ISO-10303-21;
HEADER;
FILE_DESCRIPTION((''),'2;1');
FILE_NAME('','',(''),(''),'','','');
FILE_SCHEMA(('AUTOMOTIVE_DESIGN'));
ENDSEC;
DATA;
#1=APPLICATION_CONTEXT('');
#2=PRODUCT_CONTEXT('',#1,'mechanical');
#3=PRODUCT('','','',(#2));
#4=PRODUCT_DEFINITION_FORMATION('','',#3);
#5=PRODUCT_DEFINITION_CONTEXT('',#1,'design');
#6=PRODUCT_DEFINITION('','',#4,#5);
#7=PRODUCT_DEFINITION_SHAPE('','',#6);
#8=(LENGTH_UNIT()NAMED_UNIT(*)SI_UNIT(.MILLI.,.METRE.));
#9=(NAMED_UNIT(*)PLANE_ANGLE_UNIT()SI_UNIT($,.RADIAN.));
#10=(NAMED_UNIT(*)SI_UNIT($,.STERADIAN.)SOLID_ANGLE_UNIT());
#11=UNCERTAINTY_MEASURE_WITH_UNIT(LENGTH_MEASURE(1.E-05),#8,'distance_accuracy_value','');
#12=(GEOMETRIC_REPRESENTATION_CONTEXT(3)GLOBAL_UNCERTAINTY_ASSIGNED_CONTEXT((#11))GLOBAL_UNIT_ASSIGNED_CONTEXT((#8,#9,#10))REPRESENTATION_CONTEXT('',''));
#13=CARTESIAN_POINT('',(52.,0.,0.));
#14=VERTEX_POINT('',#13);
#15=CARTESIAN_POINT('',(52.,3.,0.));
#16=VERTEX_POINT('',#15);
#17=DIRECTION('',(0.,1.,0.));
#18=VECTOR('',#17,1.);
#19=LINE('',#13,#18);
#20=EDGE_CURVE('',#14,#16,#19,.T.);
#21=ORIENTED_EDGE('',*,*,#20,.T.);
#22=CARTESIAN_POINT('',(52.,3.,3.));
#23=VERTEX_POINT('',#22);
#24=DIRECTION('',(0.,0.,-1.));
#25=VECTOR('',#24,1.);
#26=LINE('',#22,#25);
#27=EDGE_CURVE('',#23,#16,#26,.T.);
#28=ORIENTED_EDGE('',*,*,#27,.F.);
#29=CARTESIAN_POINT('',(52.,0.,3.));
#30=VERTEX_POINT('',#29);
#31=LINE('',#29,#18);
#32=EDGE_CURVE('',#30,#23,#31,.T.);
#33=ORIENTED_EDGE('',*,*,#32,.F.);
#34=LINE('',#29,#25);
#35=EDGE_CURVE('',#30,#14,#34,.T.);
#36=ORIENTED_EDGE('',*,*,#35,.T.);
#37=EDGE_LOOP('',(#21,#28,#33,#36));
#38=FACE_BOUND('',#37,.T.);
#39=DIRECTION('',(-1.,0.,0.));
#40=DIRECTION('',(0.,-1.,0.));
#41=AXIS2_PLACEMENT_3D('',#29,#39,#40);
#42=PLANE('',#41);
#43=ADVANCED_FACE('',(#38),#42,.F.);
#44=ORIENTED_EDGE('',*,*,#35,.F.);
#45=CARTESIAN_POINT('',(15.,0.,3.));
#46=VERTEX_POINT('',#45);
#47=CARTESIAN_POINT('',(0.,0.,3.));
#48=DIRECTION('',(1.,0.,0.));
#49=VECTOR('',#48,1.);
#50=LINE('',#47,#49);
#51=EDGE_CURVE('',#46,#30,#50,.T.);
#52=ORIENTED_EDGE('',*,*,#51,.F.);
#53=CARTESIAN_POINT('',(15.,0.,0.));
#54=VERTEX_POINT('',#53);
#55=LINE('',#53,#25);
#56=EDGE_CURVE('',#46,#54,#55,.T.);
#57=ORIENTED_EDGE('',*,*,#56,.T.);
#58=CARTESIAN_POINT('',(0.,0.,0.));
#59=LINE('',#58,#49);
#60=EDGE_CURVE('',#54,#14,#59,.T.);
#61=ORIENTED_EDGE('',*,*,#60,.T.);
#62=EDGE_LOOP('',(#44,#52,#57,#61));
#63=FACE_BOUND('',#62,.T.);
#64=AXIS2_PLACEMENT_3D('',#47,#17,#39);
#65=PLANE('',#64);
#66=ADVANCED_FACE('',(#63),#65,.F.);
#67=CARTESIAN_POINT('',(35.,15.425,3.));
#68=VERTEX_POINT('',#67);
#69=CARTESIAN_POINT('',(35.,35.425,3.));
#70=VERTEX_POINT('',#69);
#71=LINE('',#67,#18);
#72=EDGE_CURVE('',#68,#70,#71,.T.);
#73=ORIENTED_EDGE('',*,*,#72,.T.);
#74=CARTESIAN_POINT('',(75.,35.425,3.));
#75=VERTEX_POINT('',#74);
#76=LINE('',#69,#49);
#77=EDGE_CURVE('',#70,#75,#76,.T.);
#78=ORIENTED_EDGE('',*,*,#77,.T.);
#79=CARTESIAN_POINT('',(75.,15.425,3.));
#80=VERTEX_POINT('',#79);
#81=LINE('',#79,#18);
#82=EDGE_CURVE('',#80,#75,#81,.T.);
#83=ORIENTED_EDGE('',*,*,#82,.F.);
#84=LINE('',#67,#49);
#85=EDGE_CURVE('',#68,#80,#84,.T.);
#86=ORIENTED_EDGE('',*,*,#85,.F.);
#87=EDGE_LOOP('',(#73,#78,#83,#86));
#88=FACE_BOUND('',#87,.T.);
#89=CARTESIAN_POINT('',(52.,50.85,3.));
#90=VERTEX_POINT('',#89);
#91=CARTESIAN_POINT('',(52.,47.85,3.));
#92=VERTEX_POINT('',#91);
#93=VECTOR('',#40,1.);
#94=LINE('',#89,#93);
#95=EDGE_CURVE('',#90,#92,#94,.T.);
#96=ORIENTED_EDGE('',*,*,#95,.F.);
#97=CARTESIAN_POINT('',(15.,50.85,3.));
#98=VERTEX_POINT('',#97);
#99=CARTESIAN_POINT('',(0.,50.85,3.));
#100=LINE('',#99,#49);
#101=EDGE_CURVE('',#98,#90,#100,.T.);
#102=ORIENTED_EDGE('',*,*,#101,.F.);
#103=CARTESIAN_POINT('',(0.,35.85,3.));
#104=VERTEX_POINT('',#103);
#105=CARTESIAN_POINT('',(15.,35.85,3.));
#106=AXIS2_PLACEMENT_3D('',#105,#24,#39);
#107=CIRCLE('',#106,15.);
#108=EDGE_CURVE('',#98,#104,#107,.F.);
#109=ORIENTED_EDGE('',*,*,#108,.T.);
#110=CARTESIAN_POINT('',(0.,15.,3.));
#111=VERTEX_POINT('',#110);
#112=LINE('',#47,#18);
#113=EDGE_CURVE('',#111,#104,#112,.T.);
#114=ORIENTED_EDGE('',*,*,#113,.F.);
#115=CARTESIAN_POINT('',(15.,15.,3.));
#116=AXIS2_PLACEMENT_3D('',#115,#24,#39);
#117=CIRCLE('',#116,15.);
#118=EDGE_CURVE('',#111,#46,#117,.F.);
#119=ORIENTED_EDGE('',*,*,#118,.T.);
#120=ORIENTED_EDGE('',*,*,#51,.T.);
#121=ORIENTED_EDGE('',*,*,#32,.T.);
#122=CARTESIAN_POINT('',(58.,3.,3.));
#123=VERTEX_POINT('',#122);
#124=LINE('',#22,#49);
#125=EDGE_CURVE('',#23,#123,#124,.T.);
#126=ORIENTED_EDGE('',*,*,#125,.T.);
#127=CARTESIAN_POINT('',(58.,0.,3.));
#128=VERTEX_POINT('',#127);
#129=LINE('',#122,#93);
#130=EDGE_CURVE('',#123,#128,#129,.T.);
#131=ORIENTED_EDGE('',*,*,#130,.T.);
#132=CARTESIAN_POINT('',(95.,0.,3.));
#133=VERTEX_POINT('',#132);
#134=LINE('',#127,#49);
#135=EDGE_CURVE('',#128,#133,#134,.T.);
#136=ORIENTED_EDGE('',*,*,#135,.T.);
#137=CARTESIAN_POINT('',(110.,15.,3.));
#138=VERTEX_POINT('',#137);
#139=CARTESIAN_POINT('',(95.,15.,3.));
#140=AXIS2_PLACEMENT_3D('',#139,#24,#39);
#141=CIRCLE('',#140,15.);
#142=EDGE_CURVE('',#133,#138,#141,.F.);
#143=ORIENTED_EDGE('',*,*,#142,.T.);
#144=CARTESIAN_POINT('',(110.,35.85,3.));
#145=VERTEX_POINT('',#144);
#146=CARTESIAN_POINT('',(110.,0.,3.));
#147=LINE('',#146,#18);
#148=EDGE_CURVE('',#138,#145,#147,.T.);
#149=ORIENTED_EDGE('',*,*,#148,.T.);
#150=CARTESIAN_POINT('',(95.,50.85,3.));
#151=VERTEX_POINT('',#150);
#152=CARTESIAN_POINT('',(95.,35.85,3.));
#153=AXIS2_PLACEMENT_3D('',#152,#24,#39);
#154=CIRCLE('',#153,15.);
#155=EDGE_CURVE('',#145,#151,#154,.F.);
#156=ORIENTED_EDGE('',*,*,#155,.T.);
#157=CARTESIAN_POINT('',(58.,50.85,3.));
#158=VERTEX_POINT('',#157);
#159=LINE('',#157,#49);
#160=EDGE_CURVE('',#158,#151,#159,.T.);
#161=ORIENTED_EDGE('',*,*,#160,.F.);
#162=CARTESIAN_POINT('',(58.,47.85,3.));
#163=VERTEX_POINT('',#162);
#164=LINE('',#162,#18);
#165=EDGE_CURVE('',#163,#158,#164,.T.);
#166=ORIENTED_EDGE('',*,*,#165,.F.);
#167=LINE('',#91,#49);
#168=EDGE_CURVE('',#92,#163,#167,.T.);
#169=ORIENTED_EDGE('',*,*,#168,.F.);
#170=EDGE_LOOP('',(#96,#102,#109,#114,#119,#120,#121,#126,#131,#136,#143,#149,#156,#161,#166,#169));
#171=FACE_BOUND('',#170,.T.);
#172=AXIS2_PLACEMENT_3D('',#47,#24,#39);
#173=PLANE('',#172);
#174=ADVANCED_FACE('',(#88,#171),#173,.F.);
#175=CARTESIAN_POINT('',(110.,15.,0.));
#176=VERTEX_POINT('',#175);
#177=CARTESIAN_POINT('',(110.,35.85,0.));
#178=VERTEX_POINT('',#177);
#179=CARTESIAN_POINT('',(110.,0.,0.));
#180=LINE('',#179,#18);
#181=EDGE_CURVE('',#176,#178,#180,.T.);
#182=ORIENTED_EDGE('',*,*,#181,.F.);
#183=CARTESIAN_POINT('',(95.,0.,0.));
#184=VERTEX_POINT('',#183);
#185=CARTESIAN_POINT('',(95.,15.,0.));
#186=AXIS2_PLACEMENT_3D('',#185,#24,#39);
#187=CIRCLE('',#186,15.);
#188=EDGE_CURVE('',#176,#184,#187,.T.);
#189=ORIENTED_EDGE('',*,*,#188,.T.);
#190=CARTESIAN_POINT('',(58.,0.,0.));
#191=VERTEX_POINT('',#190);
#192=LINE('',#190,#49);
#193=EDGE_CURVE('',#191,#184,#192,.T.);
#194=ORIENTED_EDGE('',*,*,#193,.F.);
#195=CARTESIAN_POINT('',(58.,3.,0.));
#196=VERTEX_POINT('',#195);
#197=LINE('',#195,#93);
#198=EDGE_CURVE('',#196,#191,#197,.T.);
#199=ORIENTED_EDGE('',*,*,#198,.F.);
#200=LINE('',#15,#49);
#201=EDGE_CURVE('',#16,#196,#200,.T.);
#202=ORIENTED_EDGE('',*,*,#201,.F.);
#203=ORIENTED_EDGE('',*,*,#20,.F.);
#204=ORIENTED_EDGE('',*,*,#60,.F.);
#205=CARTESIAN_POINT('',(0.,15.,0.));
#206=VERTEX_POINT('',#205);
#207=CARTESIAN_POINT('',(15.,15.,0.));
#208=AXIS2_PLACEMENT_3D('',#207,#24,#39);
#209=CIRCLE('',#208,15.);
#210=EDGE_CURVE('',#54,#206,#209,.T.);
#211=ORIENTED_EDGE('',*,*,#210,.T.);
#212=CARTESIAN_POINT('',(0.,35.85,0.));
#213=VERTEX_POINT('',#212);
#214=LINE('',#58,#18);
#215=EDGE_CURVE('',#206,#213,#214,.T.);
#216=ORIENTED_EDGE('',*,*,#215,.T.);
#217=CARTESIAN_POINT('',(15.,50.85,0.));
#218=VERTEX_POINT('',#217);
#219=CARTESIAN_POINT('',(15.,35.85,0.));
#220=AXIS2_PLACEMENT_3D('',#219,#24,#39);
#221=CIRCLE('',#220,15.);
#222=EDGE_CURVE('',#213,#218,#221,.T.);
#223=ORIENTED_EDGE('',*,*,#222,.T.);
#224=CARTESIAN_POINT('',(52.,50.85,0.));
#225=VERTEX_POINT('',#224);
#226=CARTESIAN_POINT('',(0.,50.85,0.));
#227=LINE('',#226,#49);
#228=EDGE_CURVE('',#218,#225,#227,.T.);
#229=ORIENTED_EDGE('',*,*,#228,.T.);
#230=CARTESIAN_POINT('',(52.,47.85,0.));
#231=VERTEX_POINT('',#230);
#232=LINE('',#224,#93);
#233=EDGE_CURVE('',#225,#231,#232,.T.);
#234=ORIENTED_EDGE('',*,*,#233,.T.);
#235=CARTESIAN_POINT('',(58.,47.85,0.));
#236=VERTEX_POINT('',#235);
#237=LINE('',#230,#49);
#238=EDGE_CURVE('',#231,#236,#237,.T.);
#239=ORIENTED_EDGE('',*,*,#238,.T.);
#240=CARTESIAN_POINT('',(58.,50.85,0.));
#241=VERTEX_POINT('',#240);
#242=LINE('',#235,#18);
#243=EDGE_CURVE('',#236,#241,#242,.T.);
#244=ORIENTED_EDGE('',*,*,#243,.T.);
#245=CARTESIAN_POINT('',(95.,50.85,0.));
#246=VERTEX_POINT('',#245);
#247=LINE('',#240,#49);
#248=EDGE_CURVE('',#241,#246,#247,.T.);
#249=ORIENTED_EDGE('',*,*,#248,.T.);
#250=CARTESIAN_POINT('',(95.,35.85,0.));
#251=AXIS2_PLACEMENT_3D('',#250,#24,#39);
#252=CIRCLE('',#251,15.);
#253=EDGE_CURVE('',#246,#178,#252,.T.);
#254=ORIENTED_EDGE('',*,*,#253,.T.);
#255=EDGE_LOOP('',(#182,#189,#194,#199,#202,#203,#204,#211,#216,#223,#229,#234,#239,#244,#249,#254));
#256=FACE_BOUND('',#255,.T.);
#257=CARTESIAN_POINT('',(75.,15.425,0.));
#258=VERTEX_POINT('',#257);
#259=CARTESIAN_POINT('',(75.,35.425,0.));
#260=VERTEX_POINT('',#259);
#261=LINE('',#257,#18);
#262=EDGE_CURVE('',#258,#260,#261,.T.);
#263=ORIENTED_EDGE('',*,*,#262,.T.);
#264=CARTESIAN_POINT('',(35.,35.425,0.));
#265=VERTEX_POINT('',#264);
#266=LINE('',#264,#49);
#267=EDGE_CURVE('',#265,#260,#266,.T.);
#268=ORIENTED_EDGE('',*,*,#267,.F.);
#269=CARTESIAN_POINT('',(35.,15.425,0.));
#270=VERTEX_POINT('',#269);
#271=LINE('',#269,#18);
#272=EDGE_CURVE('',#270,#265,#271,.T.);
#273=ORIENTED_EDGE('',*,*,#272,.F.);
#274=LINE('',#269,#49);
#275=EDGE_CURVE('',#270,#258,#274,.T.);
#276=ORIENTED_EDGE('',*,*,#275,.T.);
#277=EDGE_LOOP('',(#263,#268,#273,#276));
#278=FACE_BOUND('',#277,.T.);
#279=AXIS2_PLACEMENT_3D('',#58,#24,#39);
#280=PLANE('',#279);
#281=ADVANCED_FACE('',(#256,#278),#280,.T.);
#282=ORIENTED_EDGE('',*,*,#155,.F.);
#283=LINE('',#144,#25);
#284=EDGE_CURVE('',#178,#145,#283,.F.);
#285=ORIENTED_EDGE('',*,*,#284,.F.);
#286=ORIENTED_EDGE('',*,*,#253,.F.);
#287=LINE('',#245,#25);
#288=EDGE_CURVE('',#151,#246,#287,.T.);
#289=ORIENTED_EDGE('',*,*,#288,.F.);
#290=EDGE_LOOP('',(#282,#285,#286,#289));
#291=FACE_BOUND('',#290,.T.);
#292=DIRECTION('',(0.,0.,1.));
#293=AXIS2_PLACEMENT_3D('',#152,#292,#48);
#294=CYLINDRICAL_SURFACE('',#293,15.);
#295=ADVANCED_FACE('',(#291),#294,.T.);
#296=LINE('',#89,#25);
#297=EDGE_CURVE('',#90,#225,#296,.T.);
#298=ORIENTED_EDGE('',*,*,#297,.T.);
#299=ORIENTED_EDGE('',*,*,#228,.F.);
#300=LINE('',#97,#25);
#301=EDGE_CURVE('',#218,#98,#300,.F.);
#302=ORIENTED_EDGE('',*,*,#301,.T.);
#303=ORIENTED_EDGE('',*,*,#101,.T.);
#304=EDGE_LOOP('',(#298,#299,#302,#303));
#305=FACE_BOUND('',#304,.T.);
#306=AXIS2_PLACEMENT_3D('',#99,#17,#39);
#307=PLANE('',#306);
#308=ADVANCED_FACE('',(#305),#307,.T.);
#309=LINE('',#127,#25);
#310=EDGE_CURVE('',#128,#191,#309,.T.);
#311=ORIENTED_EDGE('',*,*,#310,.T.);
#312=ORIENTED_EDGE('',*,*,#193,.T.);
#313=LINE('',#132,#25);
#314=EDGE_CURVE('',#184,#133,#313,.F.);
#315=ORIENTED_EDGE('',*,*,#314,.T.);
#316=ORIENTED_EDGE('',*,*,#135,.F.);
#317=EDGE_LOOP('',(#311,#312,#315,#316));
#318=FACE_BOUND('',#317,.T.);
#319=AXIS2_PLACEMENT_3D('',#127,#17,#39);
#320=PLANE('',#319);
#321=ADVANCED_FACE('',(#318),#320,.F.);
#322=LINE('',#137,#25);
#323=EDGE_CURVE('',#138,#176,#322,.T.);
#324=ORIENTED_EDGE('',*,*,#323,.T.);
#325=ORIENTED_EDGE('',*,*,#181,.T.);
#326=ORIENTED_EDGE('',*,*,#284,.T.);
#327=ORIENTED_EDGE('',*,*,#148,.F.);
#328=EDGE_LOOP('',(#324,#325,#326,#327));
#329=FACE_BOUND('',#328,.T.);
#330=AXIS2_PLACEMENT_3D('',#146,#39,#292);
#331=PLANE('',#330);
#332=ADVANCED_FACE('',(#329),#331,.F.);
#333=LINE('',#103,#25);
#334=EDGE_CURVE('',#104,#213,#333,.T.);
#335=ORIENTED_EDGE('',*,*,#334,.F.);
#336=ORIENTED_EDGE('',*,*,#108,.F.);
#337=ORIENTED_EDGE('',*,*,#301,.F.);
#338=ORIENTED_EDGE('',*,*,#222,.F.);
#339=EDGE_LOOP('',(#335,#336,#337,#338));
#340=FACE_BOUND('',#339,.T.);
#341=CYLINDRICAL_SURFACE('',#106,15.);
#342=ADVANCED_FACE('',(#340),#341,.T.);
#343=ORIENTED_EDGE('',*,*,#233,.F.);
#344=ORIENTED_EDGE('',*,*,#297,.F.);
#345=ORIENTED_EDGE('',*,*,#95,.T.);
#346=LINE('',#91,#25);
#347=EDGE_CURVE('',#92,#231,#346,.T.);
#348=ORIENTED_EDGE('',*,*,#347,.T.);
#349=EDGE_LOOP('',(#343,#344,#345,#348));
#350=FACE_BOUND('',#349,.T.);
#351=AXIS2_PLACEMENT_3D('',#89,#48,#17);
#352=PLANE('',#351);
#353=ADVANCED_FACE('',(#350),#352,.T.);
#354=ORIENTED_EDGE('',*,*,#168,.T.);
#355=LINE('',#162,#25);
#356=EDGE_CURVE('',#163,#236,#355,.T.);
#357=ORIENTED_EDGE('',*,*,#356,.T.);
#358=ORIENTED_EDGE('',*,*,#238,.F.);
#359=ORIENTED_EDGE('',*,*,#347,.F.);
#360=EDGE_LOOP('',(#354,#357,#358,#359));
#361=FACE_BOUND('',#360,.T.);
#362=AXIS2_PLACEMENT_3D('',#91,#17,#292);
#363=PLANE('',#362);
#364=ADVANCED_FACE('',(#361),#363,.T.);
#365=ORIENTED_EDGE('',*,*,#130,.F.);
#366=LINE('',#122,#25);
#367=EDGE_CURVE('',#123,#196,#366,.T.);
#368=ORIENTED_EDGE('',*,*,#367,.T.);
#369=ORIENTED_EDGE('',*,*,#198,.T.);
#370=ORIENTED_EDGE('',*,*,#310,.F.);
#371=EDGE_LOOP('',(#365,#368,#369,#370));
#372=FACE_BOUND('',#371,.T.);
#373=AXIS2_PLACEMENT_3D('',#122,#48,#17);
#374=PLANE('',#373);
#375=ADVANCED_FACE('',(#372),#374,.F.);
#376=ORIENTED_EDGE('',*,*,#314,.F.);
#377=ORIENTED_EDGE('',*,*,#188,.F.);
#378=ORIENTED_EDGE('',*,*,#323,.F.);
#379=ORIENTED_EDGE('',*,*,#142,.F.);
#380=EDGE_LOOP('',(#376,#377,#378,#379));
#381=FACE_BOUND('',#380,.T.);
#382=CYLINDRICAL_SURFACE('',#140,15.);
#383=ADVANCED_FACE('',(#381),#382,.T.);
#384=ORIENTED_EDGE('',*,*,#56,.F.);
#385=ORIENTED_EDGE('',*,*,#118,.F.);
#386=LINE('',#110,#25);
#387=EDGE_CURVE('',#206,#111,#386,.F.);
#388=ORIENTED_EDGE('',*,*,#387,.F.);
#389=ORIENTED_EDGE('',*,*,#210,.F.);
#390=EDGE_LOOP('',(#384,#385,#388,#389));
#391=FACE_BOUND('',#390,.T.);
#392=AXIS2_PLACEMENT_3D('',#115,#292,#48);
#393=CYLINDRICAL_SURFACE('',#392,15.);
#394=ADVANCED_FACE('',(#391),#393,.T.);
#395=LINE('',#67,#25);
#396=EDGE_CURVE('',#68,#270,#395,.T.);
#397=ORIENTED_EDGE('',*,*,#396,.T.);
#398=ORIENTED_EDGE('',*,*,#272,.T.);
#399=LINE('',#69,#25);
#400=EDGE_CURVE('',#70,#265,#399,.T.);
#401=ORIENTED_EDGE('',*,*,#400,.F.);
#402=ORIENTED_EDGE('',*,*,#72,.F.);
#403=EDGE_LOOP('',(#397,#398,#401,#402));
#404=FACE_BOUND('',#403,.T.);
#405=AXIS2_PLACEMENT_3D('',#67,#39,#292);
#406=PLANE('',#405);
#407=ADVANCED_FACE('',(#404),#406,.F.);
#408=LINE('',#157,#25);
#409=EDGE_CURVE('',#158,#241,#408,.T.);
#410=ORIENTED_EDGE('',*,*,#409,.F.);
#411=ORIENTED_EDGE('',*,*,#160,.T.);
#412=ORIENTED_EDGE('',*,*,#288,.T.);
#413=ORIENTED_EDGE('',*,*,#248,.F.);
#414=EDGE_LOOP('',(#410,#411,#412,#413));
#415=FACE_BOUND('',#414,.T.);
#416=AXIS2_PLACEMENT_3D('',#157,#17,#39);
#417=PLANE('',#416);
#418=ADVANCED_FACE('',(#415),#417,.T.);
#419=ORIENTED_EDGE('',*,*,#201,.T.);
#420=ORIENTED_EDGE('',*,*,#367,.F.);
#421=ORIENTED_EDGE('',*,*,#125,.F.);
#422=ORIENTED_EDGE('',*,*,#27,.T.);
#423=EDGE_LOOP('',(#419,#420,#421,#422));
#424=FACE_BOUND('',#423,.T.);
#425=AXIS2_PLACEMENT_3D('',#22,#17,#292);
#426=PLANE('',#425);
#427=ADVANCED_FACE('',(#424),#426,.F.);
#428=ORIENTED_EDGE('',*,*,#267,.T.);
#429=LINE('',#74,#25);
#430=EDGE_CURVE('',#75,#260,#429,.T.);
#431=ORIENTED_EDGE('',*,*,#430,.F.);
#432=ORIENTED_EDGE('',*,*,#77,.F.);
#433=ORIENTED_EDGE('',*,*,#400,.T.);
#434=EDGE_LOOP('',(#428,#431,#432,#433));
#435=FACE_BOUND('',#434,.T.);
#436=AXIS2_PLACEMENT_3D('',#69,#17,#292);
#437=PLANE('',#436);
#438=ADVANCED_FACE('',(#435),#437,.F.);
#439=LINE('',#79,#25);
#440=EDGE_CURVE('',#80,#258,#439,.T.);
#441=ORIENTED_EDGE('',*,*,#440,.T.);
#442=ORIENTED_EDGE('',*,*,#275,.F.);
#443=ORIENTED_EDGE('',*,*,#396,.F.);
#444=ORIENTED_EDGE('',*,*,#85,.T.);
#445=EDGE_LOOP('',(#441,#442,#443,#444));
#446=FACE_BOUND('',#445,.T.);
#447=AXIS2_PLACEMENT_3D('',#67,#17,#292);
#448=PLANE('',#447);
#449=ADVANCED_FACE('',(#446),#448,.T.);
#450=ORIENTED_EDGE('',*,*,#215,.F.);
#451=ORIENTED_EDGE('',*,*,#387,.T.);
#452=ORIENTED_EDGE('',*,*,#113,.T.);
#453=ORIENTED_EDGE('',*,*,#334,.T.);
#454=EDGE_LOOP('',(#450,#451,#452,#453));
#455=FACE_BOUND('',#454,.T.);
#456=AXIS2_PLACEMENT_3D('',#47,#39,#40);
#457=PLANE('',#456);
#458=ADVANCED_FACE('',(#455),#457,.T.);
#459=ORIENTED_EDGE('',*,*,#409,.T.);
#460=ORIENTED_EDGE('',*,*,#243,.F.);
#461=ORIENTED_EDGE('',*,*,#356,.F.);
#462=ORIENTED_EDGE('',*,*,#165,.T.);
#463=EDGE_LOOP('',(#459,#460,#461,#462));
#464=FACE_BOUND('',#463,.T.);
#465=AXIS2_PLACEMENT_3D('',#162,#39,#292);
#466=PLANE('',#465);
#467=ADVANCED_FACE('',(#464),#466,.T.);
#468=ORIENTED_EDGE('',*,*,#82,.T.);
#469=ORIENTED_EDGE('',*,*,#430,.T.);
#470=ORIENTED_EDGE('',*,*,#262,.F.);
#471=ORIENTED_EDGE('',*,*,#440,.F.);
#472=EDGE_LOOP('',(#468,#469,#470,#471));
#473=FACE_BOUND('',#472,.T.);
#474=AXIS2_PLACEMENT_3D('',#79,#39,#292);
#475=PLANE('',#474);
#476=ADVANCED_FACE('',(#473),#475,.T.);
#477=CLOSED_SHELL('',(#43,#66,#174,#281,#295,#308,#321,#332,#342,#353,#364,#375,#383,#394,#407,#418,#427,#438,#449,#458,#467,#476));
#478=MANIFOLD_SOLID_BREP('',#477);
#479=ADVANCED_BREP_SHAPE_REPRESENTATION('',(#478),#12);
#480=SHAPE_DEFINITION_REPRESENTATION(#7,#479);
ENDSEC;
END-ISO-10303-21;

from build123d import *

# Parameters (mm, degrees)
SKETCH1_W           = 40
SKETCH1_H           = 20
BOSS_EXTRUDE1_DEPTH = 3
FILLET1_R           = 15


with BuildPart() as part:
    # Sketch1 → Boss-Extrude1 (new body)
    with BuildSketch(Plane.XY):
        Polygon((52, 50.85), (52, 47.85), (58, 47.85), (58, 50.85), (110, 50.85), (110, 0), (58, 0), (58, 3), (52, 3), (52, 0), (0, 0), (0, 50.85), align=None)
        with Locations((55, 25.425)):
            Rectangle(SKETCH1_W, SKETCH1_H, mode=Mode.SUBTRACT)
    extrude(amount=BOSS_EXTRUDE1_DEPTH)

    # Fillet1
    fillet1_edges = [part.edges().sort_by_distance(p)[0] for p in [
        (0, 0, 1.5),
        (110, 0, 1.5),
        (110, 50.85, 1.5),
        (0, 50.85, 1.5),
    ]]
    fillet(fillet1_edges, radius=FILLET1_R)


solid = part.part
